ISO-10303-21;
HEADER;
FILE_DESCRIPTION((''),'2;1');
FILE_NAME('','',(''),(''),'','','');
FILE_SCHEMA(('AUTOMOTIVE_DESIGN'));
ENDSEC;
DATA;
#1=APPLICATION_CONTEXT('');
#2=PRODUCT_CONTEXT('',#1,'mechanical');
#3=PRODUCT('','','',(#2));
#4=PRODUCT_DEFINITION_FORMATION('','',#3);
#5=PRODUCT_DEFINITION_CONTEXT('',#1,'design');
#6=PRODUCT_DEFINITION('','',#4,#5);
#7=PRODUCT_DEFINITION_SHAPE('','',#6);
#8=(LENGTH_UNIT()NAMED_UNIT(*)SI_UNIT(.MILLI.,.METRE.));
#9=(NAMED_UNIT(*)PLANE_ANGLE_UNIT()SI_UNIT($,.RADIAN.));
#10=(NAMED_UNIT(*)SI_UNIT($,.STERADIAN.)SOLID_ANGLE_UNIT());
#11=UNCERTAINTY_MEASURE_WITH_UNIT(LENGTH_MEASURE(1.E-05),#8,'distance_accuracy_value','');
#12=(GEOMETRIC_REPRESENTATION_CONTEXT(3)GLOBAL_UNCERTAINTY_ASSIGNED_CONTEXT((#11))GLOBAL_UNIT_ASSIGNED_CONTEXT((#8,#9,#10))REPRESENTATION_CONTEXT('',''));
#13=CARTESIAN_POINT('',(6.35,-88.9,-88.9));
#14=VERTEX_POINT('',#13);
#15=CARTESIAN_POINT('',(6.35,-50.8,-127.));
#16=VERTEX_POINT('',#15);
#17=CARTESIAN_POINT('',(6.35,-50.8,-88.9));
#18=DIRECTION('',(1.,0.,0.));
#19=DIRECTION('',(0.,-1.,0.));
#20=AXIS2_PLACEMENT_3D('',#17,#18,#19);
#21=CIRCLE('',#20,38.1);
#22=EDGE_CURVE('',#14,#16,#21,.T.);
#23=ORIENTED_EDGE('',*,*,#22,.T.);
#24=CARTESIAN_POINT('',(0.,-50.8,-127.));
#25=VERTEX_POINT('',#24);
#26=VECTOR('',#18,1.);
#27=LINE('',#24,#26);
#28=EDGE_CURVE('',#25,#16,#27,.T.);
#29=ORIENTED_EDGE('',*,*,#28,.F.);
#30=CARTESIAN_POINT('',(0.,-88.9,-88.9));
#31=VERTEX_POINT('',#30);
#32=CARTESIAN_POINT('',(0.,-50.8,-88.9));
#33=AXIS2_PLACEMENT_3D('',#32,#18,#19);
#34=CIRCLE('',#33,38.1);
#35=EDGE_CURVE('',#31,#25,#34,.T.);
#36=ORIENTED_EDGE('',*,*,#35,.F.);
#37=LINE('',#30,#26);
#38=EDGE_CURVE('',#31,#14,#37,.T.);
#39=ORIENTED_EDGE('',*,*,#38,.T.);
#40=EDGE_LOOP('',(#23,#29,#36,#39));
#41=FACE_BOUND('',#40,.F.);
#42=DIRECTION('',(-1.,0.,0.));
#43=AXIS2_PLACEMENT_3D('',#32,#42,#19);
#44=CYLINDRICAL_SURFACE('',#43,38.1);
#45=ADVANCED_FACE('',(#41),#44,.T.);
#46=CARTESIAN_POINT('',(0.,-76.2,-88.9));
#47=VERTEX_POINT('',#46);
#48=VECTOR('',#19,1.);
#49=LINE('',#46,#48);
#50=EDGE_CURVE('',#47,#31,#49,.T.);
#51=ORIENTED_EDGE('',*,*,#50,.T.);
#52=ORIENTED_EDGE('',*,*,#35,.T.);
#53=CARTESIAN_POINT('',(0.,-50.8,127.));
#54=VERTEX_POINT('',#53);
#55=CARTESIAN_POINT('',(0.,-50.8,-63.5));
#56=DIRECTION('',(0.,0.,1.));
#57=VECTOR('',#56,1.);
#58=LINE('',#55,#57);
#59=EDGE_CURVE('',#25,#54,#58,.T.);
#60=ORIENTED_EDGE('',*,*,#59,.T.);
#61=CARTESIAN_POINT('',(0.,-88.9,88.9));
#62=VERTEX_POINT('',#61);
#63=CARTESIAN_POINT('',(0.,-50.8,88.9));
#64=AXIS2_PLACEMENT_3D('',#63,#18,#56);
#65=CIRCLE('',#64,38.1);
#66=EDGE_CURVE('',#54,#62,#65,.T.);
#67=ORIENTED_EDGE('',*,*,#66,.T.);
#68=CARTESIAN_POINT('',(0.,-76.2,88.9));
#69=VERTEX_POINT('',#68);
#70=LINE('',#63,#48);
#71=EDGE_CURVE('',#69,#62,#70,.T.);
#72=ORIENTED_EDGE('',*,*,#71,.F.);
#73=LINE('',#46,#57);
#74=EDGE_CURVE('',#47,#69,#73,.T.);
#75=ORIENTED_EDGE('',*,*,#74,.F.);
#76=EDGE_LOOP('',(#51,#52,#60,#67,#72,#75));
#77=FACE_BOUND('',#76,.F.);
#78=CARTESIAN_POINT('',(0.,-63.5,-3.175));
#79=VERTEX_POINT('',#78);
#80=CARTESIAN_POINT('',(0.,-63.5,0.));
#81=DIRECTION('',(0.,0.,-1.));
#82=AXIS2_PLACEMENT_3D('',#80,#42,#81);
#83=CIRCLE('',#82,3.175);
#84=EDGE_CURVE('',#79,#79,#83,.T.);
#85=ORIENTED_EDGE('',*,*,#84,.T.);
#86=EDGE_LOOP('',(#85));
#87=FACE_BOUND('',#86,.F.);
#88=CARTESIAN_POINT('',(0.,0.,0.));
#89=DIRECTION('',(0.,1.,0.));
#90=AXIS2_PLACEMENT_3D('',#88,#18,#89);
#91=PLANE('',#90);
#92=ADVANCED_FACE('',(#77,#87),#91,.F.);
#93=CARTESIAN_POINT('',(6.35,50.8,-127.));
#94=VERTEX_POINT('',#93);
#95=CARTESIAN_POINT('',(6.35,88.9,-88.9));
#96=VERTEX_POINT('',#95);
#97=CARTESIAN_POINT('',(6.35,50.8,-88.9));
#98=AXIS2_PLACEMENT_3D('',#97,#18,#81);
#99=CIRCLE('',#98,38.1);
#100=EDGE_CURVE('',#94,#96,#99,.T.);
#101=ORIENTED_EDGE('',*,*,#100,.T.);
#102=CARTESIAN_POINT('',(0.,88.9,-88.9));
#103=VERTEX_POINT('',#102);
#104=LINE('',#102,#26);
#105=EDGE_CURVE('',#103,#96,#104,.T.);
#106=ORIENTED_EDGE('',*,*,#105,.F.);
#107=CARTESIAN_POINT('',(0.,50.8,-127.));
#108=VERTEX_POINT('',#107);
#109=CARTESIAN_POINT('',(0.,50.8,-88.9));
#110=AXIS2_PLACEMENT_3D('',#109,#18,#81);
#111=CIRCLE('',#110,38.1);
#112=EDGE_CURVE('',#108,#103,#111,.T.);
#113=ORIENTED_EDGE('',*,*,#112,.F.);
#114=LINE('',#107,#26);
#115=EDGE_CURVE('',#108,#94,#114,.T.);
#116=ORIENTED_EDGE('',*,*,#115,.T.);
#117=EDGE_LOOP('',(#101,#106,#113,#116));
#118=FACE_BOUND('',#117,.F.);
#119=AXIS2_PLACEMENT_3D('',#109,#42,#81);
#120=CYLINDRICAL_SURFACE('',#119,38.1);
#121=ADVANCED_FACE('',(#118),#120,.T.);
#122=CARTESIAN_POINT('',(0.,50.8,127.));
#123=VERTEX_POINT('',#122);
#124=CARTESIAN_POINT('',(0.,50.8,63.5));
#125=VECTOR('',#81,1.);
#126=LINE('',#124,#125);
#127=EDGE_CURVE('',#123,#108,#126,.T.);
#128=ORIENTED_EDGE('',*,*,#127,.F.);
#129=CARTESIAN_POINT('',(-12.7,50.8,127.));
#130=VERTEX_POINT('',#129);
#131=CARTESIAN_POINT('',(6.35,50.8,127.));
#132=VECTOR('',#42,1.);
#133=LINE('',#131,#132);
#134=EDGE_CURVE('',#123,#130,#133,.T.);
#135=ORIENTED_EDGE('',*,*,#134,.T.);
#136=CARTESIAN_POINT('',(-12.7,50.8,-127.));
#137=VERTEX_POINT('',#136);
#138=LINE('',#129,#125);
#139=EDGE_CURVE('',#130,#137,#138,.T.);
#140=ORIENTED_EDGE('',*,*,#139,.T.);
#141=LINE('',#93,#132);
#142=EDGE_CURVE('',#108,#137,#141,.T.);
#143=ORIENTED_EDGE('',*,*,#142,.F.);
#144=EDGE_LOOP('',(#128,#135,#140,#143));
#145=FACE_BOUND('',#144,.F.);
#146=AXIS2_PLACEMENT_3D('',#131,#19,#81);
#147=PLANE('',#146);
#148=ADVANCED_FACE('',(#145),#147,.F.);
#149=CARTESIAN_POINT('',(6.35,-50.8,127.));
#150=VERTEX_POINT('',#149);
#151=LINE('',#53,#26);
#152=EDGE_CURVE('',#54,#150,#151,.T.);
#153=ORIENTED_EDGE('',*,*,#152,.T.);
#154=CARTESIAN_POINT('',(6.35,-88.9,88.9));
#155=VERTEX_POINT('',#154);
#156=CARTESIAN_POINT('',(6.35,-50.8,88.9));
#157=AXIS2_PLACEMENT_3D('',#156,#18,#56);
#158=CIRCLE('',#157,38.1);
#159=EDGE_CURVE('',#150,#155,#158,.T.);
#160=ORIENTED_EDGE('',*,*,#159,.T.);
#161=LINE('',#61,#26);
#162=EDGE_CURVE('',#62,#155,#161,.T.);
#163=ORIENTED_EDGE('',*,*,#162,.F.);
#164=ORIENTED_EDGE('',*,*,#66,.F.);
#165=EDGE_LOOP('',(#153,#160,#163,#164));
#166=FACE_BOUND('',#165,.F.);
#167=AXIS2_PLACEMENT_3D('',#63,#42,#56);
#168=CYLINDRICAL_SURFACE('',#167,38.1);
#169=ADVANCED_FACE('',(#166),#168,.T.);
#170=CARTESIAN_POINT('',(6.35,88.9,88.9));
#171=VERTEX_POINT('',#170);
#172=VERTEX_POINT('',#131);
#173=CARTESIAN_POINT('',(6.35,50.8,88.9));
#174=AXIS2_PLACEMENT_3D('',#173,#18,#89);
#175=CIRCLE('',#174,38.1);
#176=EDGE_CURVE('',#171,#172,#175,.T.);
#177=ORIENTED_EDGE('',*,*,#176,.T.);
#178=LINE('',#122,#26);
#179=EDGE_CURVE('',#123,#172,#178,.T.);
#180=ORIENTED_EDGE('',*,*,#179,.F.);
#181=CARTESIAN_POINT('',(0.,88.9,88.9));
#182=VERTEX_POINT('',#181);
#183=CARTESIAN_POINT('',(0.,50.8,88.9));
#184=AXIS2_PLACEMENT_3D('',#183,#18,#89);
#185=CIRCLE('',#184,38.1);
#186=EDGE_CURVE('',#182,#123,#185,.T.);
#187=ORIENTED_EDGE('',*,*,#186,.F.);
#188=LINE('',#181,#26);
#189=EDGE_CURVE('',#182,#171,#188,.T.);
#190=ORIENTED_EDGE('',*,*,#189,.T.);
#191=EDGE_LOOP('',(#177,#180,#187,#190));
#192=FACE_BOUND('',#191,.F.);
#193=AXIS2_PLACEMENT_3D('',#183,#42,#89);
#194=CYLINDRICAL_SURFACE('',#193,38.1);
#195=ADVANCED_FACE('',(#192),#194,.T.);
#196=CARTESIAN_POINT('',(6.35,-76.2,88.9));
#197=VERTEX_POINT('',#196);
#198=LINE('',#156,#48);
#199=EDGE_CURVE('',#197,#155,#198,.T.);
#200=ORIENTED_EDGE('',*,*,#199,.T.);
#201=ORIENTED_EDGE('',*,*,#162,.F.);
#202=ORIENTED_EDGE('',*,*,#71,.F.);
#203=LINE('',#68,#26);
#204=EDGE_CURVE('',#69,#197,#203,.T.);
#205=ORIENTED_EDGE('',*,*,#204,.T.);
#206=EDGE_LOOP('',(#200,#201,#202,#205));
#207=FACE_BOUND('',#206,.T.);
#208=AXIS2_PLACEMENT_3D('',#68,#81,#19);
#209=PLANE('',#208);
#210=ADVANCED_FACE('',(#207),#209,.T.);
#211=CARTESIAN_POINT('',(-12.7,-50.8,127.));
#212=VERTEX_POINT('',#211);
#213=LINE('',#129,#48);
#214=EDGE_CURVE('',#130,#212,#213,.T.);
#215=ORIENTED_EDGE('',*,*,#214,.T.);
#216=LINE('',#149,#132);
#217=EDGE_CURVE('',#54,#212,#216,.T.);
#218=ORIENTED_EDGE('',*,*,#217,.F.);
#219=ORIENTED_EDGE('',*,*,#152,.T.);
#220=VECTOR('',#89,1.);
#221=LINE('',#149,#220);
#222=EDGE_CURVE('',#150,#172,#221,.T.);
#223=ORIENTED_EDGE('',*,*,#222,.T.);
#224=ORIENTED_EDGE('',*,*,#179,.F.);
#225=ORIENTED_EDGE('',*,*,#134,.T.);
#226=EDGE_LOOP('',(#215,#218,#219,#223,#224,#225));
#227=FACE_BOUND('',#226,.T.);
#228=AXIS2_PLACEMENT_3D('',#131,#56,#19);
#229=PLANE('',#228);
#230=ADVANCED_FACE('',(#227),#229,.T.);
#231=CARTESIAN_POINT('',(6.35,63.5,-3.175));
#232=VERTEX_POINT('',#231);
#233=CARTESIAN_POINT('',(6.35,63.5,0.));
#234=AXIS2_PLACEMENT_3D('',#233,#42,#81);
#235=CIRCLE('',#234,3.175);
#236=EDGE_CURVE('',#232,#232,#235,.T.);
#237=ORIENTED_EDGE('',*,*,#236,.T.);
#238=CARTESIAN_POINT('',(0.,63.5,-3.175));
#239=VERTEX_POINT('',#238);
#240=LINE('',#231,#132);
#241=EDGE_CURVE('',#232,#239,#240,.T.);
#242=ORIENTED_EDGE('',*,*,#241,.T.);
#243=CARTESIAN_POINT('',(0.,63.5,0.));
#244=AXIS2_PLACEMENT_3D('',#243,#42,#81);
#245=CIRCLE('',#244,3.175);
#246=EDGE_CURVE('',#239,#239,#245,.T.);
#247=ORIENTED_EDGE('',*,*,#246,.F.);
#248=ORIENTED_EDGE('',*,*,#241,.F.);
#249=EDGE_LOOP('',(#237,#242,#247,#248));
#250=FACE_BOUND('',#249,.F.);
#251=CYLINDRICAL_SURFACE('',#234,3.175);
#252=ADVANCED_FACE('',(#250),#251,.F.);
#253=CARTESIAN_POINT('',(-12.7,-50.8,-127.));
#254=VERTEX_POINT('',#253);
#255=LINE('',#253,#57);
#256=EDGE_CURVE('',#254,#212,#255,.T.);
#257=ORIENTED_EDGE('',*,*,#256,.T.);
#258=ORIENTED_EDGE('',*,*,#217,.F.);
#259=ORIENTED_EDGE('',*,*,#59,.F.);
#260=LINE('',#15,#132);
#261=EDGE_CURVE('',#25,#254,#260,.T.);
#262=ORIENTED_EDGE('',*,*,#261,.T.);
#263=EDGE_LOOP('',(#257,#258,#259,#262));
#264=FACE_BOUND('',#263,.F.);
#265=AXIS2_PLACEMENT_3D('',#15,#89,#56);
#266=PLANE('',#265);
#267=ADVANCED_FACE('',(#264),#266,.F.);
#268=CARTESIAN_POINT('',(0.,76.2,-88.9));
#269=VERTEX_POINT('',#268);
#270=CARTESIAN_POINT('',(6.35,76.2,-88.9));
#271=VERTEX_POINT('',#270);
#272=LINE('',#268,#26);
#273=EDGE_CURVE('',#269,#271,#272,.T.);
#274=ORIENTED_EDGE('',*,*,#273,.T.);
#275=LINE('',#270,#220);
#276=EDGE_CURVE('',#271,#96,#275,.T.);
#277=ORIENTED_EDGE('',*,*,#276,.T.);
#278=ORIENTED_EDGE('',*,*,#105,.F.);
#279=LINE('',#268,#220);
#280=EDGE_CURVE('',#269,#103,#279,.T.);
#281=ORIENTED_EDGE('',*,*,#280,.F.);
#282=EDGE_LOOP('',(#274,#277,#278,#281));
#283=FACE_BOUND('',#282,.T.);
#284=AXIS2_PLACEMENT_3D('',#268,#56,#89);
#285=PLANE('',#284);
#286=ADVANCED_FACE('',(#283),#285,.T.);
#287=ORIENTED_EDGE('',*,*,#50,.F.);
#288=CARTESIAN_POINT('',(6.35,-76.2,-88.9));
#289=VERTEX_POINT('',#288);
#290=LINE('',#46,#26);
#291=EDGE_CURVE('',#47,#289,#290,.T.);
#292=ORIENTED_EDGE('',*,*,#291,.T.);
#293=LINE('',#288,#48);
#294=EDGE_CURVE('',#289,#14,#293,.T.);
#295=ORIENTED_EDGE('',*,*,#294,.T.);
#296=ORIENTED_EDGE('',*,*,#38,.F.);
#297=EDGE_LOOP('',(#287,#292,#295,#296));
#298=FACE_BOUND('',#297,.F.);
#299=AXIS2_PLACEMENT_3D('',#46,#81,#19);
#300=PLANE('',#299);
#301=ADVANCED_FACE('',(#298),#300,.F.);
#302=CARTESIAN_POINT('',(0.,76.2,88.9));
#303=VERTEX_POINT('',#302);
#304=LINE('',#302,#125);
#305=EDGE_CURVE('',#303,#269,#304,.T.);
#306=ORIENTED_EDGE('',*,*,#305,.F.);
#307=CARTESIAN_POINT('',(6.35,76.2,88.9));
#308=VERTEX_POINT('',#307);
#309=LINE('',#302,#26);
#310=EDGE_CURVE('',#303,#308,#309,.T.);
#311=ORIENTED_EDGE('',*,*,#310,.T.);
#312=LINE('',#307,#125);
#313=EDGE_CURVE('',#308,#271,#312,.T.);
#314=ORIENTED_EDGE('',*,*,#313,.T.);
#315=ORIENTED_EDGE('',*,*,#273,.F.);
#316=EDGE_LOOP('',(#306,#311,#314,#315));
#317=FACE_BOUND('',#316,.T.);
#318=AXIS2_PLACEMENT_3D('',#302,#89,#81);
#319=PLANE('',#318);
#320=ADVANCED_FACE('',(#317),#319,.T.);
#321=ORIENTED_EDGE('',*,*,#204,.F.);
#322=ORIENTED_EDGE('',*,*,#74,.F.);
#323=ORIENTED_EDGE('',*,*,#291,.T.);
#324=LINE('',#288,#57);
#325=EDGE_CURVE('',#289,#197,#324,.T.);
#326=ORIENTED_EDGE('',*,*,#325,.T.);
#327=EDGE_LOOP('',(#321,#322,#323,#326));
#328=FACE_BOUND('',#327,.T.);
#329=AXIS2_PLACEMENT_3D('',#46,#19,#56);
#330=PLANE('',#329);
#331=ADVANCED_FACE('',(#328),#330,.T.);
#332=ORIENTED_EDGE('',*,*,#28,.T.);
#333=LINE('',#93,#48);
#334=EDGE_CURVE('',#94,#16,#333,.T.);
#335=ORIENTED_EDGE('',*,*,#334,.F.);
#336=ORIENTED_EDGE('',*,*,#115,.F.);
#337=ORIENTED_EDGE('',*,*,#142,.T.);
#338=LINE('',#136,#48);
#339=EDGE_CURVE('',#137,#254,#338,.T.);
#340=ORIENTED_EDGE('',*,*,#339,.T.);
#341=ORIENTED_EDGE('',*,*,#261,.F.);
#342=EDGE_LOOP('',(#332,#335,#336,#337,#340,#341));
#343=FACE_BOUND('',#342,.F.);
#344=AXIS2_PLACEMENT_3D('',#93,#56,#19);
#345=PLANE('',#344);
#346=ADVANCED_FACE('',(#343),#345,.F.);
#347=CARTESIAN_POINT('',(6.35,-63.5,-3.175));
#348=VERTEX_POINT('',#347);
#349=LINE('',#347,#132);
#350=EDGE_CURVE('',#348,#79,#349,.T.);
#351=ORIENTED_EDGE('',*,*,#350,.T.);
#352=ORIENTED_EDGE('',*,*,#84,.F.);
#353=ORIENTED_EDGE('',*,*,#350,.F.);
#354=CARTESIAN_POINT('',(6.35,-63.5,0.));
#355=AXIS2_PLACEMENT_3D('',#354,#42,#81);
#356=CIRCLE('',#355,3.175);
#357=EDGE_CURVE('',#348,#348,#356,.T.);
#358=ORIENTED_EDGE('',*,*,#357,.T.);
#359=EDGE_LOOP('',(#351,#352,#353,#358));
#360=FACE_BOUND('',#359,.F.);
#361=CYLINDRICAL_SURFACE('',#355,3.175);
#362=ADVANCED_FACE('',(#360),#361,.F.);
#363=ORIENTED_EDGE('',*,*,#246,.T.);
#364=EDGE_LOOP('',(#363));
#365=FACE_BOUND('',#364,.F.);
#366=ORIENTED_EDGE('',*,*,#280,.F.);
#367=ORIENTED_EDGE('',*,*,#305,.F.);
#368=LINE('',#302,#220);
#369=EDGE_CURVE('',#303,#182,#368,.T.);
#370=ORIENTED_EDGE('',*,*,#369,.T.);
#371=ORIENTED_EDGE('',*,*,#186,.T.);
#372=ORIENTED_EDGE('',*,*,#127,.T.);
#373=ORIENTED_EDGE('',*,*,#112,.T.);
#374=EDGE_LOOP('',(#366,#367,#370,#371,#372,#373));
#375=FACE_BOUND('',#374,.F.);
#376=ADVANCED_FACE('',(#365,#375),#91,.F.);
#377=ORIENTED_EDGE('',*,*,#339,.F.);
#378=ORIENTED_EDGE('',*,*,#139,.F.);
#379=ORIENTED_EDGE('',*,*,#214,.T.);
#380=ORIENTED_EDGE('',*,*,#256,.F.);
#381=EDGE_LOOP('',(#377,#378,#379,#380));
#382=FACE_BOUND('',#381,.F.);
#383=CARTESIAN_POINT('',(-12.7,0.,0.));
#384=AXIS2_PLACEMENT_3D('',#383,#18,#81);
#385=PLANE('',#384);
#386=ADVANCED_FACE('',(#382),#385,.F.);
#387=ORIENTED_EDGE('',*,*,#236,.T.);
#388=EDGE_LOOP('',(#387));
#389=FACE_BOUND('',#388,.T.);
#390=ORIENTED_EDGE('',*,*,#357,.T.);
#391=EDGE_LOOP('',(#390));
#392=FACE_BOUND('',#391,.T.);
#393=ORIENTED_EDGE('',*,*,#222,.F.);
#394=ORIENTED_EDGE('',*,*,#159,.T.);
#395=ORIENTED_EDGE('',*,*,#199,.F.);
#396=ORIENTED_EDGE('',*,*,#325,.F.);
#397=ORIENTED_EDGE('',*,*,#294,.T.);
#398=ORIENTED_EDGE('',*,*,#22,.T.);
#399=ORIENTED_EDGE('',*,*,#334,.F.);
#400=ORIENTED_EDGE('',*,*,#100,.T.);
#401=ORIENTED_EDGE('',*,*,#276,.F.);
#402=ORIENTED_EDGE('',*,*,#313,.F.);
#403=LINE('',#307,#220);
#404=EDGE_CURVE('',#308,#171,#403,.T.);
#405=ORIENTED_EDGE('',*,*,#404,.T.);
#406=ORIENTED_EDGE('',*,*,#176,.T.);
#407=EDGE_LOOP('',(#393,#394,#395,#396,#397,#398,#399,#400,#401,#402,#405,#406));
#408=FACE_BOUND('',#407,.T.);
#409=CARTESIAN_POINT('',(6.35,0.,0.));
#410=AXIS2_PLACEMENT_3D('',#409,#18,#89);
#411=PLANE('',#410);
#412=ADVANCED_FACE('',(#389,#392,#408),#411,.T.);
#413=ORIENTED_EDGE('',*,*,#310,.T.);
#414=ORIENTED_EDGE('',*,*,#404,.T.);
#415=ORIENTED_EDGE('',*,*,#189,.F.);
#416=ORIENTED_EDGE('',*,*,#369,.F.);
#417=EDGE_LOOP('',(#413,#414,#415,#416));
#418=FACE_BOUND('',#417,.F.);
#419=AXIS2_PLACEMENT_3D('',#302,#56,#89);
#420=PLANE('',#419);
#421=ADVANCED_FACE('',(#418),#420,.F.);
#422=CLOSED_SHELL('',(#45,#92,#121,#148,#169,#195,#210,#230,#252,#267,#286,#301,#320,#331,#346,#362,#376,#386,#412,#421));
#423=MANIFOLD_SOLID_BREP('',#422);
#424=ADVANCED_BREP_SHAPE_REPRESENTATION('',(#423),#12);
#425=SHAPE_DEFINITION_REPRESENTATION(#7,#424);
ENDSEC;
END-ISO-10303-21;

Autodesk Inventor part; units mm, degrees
ref_plane "YZ Plane" through (0, 0, 0) normal (1, 0, 0) x (0, 1, 0)
ref_plane "XZ Plane" through (0, 0, 0) normal (0, 1, 0) x (-1, 0, 0)
ref_plane "XY Plane" through (0, 0, 0) normal (0, 0, 1) x (1, 0, 0)
sketch "Sketch1" plane through (0, 0, 0) normal (1, 0, 0) x (0, 1, 0)
  line L0 (-76.2, 88.9) -> (-76.2, 88.9)
  line L1 (-50.8, 127) -> (50.8, 127)
  line L2 (50.8, -127) -> (-50.8, -127)
  line L3 (-76.2, -88.9) -> (-76.2, 88.9)
  arc A0 (88.9, 88.9) -> (50.8, 127) centre (50.8, 88.9) ccw
  line L4 (76.2, 88.9) -> (88.9, 88.9)
  arc A1 (-50.8, 127) -> (-88.9, 88.9) centre (-50.8, 88.9) ccw
  line L5 (-50.8, 88.9) -> (-88.9, 88.9)
  arc A2 (50.8, -127) -> (88.9, -88.9) centre (50.8, -88.9) ccw
  line L6 (76.2, -88.9) -> (88.9, -88.9)
  line L7 (76.2, 88.9) -> (76.2, -88.9)
  arc A3 (-88.9, -88.9) -> (-50.8, -127) centre (-50.8, -88.9) ccw
  line L8 (-76.2, -88.9) -> (-88.9, -88.9)
  point P0 (0, 0)
  point P1 (-76.2, 117.2981)
  point P2 (-76.2, -117.2981)
  dimension "d62" = 254
  dimension "d64" = 76.2
  dimension "d65" = 127
  dimension "d66" = 76.2
  dimension "d72" = 76.2
  dimension "d73" = 25.4
  dimension "d74" = 76.2
  dimension "d76" = 25.4
  dimension "d77" = 76.2
  dimension "d78" = 25.4
extrude "Extrusion1" add sketch "Sketch1" along normal blind 6.35
sketch "Sketch3" plane through (6.35, 0, 0) normal (1, 0, 0) x (0, 0, -1)
  line L0 (88.9, 76.2) -> (-88.9, 76.2) projected
  line L1 (127, -50.8) -> (127, 50.8) projected
  line L2 (-88.9, -76.2) -> (88.9, -76.2) projected
  point P0 (0, 0)
  point P1 (0, -63.5)
  point P2 (0, 63.5)
  point P3 (0, 63.5)
  point P4 (127, 76.2)
  point P5 (127, -76.2)
  point P6 (-127, -76.2)
  dimension "d68" = 12.7
  dimension "d69" = 127
  dimension "d70" = 127
  dimension "d71" = 12.7
hole "Hole2" at (6.35, -63.5, 0) direction (-1, 0, 0) diameter 6.35 end through all
hole "Hole3" at (6.35, 63.5, 0) direction (-1, 0, 0) diameter 6.35 end through all
sketch "Sketch4" plane through (6.35, 0, 0) normal (1, 0, 0) x (0, 0, -1)
  line L0 (-127, 50.8) -> (-127, -50.8) projected
  line L1 (-127, 50.8) -> (127, 50.8)
  line L2 (127, 50.8) -> (127, -50.8)
  line L3 (127, -50.8) -> (-127, -50.8)
  line L4 (-127, -50.8) -> (-127, 50.8)
  point P0 (0, 0)
  point P1 (-88.9, 88.9)
  dimension "d79" = 101.6
  dimension "d80" = 38.1
extrude "Extrusion2" add sketch "Sketch4" against normal blind 19.05
sketch "Sketch5" plane through (6.35, -50.8, -127) normal (0, 0, -1) x (-1, 0, 0)
  line L0 (6.35, 0) -> (6.35, -38.1) projected
  line L1 (6.35, 101.6) -> (0, 101.6) projected
  line L2 (0, 0) -> (0, 101.6) projected
  point P0 (6.35, 50.8)
properties part number "Frame" material "ABS Plastic"
